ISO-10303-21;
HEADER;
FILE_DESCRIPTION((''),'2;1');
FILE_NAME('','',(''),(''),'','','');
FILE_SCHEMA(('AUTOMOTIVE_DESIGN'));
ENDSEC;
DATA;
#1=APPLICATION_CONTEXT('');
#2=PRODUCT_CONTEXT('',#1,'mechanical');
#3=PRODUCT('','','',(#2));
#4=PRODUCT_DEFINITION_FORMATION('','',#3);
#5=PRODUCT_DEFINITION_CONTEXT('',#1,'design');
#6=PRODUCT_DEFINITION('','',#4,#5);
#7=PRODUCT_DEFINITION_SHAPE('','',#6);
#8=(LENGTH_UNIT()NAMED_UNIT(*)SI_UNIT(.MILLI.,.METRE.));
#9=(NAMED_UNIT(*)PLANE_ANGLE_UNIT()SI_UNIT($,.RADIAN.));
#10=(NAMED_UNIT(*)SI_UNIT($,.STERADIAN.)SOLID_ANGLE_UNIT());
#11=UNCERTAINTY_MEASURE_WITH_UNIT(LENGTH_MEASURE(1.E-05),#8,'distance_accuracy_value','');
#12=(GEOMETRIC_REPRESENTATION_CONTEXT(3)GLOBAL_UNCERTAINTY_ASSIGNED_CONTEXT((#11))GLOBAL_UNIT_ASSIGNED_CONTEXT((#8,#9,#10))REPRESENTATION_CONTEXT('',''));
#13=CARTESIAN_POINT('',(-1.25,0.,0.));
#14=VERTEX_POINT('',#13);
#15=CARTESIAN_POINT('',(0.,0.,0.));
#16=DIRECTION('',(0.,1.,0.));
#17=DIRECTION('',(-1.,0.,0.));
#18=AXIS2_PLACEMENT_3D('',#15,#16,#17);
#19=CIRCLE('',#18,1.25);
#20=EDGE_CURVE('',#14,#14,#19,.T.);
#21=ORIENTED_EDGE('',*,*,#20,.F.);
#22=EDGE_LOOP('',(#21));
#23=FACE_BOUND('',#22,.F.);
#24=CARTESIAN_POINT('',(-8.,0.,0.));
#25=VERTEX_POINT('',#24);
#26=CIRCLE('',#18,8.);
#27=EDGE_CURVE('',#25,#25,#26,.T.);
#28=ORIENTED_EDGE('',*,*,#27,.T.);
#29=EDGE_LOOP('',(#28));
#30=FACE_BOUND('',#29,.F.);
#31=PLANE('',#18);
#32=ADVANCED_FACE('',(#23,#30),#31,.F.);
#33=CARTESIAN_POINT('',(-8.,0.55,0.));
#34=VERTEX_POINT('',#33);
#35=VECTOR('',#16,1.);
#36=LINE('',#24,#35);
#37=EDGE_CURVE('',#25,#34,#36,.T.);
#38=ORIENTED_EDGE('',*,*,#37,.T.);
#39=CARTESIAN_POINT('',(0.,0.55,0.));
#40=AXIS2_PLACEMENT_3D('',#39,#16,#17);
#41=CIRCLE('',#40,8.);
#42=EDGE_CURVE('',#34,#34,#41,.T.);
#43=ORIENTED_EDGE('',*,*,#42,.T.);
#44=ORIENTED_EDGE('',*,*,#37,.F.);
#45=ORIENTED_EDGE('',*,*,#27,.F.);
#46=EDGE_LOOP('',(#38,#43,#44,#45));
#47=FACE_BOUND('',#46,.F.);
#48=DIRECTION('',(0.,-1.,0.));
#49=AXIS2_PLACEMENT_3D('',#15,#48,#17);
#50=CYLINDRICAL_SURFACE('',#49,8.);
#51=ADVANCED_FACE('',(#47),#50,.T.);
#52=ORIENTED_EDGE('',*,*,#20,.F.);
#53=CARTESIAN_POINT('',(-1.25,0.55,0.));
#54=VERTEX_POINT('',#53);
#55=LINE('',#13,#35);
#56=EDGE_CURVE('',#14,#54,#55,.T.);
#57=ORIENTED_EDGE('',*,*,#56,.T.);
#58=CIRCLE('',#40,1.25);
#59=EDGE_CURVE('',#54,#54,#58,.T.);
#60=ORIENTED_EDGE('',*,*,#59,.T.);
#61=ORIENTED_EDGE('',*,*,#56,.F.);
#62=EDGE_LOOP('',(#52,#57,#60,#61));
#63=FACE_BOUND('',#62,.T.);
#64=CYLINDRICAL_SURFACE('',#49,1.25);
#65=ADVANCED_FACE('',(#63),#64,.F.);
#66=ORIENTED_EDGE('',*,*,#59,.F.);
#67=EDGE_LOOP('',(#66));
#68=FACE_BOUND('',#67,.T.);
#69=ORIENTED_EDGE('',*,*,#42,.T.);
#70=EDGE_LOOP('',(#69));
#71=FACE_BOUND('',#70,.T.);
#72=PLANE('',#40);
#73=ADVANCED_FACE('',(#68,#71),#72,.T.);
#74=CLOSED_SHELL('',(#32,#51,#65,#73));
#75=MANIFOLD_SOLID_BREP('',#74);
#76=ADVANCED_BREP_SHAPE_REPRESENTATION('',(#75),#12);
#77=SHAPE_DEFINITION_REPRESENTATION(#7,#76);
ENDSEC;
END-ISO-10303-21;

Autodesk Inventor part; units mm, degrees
ref_plane "YZ Plane" through (0, 0, 0) normal (1, 0, 0) x (0, 1, 0)
ref_plane "XZ Plane" through (0, 0, 0) normal (0, 1, 0) x (-1, 0, 0)
ref_plane "XY Plane" through (0, 0, 0) normal (0, 0, 1) x (1, 0, 0)
sketch "Sketch1" plane through (0, 0, 0) normal (0, 1, 0) x (-1, 0, 0)
  circle A0 centre (0, 0) radius 8
  circle A1 centre (0, 0) radius 1.25
  dimension "d0" = 16
  dimension "d1" = 2.5
extrude "Extrusion1" add sketch "Sketch1" along normal blind 0.55
properties part number "Extruder_Hot_End_Spacer_LM6014" material "ABS Plastic"
